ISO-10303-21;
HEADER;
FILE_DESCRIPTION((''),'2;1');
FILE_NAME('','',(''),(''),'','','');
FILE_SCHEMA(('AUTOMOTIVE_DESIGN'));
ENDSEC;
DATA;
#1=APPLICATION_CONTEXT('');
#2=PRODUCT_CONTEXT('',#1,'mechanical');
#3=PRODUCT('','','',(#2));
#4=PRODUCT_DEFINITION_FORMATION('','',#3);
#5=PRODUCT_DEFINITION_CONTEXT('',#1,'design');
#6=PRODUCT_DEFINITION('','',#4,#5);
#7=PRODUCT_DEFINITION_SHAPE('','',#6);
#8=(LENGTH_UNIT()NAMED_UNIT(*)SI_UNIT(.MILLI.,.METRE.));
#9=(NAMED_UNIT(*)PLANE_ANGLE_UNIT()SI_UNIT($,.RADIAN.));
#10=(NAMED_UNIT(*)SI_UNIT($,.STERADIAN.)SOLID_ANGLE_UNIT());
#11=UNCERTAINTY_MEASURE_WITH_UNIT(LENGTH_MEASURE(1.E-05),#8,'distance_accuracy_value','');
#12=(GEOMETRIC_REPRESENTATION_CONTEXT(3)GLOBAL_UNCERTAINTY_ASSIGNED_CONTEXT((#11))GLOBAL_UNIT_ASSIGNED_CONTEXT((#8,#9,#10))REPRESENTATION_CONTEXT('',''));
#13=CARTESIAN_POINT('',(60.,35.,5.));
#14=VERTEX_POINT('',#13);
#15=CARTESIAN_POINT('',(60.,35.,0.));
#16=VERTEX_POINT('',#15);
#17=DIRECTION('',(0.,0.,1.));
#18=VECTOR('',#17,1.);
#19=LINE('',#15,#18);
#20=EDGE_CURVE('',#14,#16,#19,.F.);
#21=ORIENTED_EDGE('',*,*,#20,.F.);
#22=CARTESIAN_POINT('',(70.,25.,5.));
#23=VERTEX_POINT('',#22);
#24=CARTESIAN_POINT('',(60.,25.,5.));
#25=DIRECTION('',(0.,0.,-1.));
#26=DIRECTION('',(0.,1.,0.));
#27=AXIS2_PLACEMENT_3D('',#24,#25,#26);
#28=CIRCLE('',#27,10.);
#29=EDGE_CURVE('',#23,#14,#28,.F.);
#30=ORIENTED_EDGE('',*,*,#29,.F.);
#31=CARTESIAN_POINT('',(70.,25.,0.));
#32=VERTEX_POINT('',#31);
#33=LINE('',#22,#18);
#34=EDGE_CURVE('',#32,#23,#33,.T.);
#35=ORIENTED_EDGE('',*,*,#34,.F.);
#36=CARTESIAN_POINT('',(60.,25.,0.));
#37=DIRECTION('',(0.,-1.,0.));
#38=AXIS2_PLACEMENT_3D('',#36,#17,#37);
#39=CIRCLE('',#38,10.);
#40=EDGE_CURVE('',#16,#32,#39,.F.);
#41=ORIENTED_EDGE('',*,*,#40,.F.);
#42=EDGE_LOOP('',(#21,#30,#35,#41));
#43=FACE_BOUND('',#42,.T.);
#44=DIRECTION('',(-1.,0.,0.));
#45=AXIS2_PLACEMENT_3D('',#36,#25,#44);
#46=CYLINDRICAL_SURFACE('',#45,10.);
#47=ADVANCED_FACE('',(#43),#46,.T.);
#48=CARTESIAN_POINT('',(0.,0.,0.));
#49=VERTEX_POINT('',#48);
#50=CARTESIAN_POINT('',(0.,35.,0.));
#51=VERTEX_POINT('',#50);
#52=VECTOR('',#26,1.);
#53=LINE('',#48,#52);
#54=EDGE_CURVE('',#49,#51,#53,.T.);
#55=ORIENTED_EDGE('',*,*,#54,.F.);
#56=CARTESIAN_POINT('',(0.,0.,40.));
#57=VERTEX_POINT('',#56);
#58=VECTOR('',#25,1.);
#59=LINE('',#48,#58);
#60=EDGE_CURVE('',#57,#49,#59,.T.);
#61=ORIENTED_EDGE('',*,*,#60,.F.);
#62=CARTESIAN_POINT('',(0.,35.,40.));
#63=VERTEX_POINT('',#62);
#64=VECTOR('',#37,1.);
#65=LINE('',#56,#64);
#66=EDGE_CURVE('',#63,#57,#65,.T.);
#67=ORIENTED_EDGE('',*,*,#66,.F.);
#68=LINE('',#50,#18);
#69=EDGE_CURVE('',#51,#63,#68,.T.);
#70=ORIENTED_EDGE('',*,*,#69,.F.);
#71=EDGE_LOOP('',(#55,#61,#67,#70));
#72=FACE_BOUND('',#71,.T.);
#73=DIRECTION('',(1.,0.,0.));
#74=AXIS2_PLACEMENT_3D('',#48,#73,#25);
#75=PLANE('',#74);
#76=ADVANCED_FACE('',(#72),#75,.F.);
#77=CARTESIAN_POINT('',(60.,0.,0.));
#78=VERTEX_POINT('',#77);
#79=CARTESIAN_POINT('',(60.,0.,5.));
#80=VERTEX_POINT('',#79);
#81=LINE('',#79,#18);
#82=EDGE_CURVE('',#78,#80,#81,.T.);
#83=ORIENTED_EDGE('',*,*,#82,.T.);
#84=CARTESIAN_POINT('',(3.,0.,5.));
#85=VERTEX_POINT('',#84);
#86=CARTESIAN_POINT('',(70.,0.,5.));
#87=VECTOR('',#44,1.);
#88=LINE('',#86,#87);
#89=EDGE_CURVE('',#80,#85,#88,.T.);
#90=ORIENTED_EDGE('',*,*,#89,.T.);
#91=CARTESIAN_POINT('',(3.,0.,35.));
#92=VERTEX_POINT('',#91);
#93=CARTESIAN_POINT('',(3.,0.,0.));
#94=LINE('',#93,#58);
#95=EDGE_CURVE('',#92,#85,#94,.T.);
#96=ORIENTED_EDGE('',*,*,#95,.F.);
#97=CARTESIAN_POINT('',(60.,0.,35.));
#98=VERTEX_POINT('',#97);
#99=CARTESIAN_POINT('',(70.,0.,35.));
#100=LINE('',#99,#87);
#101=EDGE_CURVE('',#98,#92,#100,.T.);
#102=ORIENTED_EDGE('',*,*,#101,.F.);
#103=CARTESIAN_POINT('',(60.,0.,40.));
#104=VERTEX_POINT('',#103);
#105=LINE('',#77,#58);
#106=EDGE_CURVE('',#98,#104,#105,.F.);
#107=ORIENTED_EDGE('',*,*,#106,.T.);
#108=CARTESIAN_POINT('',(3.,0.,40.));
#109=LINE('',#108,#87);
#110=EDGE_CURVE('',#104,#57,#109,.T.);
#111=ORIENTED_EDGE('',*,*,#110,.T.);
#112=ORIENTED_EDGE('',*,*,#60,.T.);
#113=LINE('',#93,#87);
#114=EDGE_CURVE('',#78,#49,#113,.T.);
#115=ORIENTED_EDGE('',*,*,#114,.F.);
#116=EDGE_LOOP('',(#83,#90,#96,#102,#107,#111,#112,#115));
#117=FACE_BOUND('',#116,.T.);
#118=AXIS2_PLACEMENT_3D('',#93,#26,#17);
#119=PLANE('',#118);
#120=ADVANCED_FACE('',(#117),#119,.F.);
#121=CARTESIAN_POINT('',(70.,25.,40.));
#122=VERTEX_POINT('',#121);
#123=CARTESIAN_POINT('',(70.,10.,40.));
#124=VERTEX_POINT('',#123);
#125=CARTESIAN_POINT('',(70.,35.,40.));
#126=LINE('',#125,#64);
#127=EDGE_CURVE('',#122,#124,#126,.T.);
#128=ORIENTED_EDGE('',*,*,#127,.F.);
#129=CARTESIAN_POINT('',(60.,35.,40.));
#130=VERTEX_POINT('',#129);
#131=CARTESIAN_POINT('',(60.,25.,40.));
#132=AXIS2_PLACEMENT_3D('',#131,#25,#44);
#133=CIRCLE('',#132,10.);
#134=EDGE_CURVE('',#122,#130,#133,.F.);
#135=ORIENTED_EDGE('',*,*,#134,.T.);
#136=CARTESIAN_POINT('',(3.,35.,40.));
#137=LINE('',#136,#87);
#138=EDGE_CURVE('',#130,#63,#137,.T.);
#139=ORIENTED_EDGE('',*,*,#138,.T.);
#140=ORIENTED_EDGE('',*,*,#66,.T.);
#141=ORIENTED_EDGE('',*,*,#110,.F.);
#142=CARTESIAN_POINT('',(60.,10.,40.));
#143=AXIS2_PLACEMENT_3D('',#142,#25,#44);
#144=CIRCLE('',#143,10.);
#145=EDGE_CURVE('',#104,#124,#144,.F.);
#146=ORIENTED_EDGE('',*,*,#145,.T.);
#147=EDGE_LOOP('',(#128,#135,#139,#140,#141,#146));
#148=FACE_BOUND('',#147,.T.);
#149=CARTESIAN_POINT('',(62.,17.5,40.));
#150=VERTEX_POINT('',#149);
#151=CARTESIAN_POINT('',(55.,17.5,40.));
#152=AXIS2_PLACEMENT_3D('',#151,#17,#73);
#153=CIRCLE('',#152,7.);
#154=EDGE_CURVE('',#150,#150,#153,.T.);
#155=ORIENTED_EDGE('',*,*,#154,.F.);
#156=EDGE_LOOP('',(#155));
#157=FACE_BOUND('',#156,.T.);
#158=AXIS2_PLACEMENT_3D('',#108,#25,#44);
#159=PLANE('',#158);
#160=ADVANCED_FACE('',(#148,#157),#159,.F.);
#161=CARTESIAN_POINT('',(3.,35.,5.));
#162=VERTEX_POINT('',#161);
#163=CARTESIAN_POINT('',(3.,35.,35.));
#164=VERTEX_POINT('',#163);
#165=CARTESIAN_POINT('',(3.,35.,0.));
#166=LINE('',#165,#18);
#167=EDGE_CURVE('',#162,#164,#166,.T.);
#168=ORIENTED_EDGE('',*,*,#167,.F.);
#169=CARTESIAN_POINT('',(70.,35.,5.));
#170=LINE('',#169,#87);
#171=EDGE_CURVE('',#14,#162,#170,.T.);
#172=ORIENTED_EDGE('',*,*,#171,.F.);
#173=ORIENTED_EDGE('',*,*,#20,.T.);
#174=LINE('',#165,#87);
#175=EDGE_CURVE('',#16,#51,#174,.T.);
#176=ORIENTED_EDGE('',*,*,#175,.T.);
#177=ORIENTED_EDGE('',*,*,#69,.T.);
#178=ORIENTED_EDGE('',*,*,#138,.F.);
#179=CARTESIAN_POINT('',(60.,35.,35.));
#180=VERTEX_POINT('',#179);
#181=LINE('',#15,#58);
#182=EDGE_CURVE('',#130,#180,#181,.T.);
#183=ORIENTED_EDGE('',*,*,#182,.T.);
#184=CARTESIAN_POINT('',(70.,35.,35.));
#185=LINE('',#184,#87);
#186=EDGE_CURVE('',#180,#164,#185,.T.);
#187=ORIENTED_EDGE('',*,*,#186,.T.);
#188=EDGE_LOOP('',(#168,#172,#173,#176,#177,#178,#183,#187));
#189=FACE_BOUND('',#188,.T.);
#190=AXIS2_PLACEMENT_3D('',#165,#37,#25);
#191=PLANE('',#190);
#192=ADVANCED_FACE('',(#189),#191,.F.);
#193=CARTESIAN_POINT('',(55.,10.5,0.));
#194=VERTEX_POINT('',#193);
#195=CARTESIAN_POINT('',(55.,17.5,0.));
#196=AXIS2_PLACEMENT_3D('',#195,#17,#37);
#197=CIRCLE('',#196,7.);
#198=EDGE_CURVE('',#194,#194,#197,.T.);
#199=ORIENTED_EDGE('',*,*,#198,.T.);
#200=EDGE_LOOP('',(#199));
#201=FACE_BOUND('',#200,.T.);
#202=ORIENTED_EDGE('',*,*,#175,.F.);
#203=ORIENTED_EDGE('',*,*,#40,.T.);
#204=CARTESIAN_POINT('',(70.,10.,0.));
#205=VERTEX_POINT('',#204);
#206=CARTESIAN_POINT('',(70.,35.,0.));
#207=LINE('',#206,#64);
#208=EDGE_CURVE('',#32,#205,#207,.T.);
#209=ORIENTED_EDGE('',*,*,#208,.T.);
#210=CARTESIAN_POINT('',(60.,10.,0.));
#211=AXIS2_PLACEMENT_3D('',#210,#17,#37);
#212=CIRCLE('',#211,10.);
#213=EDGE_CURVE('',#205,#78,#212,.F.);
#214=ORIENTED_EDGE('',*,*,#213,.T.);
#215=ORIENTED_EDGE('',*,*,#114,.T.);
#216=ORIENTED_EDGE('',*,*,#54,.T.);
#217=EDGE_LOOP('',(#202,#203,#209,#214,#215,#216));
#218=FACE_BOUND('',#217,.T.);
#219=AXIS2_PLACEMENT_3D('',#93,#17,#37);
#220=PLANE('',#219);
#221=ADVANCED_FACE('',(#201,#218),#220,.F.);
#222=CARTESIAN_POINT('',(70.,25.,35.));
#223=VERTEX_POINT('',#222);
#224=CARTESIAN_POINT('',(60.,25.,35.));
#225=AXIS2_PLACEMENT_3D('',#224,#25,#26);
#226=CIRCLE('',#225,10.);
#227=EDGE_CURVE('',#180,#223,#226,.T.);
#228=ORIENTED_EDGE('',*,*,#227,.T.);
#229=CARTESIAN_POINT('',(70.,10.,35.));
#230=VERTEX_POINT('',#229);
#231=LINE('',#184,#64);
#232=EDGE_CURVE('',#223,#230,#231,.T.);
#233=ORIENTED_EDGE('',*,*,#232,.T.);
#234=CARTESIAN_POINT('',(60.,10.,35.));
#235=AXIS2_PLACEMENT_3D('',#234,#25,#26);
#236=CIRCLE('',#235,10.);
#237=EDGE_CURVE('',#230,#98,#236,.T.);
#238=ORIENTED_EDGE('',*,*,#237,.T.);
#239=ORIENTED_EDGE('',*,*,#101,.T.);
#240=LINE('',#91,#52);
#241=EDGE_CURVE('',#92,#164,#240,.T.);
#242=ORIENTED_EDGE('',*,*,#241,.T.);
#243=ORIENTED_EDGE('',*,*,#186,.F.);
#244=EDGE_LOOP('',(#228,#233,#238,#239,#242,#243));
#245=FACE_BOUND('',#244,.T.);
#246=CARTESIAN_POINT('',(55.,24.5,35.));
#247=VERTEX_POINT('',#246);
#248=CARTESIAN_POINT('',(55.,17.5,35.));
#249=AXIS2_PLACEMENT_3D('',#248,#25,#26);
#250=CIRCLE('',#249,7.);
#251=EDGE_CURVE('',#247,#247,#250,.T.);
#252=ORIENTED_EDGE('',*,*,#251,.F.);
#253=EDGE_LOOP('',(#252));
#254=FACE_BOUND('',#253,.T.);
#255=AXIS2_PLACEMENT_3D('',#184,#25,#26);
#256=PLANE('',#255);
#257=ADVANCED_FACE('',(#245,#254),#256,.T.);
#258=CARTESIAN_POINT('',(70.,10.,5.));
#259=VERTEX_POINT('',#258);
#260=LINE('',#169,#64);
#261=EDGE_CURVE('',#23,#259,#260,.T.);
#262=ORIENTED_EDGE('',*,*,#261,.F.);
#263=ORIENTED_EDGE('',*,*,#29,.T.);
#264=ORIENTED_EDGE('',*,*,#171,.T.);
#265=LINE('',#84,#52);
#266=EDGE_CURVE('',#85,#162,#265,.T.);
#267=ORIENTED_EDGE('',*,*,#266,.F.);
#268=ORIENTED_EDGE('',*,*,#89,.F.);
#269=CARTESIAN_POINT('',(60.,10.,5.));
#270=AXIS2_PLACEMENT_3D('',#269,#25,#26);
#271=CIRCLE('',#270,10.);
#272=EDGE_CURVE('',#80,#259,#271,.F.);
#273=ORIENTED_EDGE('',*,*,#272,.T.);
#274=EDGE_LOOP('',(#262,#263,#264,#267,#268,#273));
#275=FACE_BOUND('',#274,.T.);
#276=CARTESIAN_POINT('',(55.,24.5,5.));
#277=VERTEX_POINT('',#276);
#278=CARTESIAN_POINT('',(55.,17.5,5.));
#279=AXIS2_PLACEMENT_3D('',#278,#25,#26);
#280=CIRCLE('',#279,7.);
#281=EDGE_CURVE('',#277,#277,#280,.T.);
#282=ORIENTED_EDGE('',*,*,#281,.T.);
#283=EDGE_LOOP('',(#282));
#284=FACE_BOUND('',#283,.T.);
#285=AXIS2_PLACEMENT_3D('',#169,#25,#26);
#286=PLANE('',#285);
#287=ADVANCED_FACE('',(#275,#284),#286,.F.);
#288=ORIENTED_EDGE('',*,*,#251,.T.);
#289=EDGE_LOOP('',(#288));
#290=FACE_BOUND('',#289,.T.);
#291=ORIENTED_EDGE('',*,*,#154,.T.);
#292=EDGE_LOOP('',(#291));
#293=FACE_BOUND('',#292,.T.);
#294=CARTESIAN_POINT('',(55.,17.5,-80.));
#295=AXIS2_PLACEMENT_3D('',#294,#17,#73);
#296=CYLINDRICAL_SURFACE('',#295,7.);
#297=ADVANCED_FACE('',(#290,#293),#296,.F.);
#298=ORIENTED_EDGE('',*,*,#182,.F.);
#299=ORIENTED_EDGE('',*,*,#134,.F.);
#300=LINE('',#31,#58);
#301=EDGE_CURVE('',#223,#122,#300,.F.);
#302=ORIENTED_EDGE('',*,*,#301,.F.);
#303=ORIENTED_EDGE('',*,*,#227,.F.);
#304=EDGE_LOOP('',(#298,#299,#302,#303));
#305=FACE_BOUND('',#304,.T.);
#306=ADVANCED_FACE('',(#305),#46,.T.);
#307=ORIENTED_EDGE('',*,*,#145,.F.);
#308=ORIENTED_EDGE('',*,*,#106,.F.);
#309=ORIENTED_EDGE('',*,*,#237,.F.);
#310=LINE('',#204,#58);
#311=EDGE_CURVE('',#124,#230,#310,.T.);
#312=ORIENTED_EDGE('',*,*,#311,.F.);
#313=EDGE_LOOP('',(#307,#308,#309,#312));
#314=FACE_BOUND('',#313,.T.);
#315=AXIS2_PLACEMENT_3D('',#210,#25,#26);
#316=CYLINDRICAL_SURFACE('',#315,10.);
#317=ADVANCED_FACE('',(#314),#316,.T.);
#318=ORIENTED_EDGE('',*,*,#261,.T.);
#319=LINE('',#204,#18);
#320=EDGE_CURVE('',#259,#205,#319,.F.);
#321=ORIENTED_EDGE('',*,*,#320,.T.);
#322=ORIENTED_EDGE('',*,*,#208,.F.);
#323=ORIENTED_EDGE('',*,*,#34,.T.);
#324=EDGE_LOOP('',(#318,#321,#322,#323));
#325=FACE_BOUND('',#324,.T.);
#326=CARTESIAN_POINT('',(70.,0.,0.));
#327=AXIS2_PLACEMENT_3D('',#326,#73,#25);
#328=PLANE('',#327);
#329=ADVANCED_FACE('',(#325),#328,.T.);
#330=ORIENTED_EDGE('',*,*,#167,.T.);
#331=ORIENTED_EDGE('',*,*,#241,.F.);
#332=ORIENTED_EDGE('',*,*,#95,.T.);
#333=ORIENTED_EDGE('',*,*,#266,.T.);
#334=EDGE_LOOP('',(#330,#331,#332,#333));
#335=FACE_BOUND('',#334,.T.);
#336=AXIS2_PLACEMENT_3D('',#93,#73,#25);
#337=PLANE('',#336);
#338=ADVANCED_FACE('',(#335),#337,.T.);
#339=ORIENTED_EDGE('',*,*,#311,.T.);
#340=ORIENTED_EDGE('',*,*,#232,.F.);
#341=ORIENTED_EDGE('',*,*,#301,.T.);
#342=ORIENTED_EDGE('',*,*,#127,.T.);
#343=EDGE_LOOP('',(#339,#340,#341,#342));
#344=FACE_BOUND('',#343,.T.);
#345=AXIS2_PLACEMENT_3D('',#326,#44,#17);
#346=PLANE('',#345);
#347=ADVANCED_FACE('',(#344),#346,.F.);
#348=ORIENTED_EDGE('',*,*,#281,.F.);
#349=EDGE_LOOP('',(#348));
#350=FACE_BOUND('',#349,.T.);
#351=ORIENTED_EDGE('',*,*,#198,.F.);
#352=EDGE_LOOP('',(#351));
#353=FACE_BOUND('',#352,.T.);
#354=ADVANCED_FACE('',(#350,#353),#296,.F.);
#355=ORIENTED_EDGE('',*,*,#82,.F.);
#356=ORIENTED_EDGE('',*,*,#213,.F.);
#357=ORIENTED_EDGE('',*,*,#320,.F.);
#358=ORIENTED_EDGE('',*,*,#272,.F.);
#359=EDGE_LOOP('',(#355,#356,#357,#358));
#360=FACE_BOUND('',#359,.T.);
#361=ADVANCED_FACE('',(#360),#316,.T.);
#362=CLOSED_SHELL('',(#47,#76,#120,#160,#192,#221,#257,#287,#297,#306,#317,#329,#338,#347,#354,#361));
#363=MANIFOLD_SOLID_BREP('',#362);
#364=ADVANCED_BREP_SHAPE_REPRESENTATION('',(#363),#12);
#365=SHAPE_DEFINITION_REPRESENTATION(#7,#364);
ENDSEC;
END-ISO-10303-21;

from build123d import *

# Parameters (mm, degrees)
SKETCH1_W           = 40
SKETCH1_H           = 35
BOSS_EXTRUDE1_DEPTH = 3
SKETCH2_W           = 5
SKETCH2_H           = 35
BOSS_EXTRUDE2_DEPTH = 70
FILLET1_R           = 10
SKETCH3_R           = 7
CUT_EXTRUDE1_DEPTH  = 120


with BuildPart() as part:
    # Sketch1 → Boss-Extrude1 (new body)
    with BuildSketch(Plane(origin=(0, 0, 0), x_dir=(0, 0, -1), z_dir=(1, 0, 0))):
        with Locations((-20, 17.5)):
            Rectangle(SKETCH1_W, SKETCH1_H)
    extrude(amount=BOSS_EXTRUDE1_DEPTH)

    # Sketch2 → Boss-Extrude2 (add)
    with BuildSketch(Plane(origin=(0, 0, 0), x_dir=(0, 0, -1), z_dir=(1, 0, 0))):
        with Locations((-37.5, 17.5)):
            Rectangle(SKETCH2_W, SKETCH2_H)
        with Locations((-2.5, 17.5)):
            Rectangle(SKETCH2_W, SKETCH2_H)
    extrude(amount=BOSS_EXTRUDE2_DEPTH)

    # Fillet1
    fillet1_edges = [part.edges().sort_by_distance(p)[0] for p in [
        (70, 35, 37.5),
        (70, 0, 37.5),
        (70, 0, 2.5),
        (70, 35, 2.5),
    ]]
    fillet(fillet1_edges, radius=FILLET1_R)

    # Sketch3 → Cut-Extrude1 (cut)
    with BuildSketch(Plane.XY.offset(40)):
        with Locations(Location((55, 17.5, 0), (0, 0, 90))):
            Circle(SKETCH3_R)
    extrude(amount=-CUT_EXTRUDE1_DEPTH, mode=Mode.SUBTRACT)


solid = part.part
